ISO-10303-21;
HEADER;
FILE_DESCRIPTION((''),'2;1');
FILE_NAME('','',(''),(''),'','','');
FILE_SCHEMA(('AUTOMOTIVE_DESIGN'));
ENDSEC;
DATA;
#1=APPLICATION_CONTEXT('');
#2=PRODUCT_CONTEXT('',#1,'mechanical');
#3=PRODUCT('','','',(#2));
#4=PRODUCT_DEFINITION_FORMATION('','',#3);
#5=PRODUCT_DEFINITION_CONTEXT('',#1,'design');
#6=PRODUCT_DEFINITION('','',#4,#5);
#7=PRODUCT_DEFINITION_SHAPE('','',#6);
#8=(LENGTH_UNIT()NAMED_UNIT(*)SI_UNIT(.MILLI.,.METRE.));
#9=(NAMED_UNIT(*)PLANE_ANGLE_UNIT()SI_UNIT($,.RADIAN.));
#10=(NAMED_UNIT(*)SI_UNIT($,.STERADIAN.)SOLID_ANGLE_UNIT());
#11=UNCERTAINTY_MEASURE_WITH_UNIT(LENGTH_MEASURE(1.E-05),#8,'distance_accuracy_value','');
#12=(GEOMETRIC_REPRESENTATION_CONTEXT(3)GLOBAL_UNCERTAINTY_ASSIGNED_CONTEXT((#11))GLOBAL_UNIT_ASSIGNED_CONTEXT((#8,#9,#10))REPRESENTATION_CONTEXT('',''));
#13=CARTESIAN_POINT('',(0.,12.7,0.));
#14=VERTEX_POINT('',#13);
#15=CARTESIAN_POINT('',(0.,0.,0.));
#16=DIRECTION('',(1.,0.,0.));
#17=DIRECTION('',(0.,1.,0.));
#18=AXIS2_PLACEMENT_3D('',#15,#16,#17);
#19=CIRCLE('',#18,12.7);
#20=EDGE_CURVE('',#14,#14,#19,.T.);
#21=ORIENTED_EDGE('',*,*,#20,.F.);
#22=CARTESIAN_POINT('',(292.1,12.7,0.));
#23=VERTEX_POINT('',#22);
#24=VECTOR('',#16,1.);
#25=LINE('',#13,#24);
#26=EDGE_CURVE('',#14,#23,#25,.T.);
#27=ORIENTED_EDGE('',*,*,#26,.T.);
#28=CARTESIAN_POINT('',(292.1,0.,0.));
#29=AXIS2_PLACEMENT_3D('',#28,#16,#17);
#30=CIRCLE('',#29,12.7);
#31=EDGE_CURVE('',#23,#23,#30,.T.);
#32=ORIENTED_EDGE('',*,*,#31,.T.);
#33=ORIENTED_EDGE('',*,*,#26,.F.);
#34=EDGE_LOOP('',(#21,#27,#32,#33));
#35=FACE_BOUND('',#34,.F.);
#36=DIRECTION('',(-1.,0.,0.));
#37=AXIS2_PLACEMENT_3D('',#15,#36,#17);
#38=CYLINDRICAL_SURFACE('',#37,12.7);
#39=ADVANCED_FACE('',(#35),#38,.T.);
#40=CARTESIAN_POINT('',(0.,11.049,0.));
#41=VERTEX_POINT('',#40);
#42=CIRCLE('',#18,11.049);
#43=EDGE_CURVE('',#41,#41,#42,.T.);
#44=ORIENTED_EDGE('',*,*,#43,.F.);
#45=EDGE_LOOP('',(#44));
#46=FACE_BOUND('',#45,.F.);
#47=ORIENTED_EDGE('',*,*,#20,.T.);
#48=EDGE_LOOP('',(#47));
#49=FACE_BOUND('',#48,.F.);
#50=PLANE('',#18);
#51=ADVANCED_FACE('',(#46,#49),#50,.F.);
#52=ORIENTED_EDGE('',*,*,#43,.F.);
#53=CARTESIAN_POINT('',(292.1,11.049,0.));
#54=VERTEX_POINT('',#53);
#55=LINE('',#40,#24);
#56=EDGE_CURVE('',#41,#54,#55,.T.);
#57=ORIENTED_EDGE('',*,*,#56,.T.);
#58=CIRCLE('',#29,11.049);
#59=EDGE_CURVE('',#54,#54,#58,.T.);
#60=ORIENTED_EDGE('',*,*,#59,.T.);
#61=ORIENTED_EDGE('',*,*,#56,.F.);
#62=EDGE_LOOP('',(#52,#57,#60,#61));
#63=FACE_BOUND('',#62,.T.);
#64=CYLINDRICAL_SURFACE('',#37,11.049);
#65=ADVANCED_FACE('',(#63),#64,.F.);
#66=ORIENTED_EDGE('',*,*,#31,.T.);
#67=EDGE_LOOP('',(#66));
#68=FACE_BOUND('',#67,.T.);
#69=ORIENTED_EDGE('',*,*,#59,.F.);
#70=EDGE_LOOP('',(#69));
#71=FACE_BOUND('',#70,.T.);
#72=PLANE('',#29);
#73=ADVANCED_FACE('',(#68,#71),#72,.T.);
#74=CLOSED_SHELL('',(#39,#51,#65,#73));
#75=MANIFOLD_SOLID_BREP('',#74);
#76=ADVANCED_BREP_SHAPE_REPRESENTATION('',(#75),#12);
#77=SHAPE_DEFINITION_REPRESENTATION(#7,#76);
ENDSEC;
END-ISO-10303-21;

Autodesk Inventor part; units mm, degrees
ref_plane "XZ Plane" through (0, 0, 0) normal (0, 1, 0) x (-1, 0, 0)
ref_plane "Start Plane" through (0, 0, 0) normal (1, 0, 0) x (0, 1, 0)
ref_plane "End Plane" through (292.1, 0, 0) normal (1, 0, 0) x (0, 1, 0)
sketch "Sketch" plane through (0, 0, 0) normal (1, 0, 0) x (0, 1, 0)
  circle A0 centre (0, 0) radius 12.7
  circle A1 centre (0, 0) radius 11.049
  dimension "d0" = 25.4
  dimension "d1" = 1.651
extrude "Body" add sketch "Sketch" along normal up to surface (292.1 mm away) from surface at 0
sketch "Sketch2" plane through (0, 0, 0) normal (1, 0, 0) x (0, 1, 0)
  line L0 (0, 0) -> (10, 0)
ref_plane "Work Plane3" through (0, 0, 0) normal (0, 0, -1) x (0, 1, 0)
sketch "Sketch3" plane through (0, 0, 0) normal (0, 0, -1) x (0, 1, 0)
  line L0 (-2, 0) -> (12, 0)
  line L1 (-2, 292.1) -> (12, 292.1)
  dimension "d9" = 292.1
equation "\"G_OFFSET_START\" = 0"
equation "\"G_OFFSET_END\" = 0"
equation "\"d5\" = d2 + G_OFFSET_END"
equation "\"G_L\" = d9"
equation "\"d2\" = 292.1"
properties part number "4130_1x0.065" material "Steel, Alloy"
